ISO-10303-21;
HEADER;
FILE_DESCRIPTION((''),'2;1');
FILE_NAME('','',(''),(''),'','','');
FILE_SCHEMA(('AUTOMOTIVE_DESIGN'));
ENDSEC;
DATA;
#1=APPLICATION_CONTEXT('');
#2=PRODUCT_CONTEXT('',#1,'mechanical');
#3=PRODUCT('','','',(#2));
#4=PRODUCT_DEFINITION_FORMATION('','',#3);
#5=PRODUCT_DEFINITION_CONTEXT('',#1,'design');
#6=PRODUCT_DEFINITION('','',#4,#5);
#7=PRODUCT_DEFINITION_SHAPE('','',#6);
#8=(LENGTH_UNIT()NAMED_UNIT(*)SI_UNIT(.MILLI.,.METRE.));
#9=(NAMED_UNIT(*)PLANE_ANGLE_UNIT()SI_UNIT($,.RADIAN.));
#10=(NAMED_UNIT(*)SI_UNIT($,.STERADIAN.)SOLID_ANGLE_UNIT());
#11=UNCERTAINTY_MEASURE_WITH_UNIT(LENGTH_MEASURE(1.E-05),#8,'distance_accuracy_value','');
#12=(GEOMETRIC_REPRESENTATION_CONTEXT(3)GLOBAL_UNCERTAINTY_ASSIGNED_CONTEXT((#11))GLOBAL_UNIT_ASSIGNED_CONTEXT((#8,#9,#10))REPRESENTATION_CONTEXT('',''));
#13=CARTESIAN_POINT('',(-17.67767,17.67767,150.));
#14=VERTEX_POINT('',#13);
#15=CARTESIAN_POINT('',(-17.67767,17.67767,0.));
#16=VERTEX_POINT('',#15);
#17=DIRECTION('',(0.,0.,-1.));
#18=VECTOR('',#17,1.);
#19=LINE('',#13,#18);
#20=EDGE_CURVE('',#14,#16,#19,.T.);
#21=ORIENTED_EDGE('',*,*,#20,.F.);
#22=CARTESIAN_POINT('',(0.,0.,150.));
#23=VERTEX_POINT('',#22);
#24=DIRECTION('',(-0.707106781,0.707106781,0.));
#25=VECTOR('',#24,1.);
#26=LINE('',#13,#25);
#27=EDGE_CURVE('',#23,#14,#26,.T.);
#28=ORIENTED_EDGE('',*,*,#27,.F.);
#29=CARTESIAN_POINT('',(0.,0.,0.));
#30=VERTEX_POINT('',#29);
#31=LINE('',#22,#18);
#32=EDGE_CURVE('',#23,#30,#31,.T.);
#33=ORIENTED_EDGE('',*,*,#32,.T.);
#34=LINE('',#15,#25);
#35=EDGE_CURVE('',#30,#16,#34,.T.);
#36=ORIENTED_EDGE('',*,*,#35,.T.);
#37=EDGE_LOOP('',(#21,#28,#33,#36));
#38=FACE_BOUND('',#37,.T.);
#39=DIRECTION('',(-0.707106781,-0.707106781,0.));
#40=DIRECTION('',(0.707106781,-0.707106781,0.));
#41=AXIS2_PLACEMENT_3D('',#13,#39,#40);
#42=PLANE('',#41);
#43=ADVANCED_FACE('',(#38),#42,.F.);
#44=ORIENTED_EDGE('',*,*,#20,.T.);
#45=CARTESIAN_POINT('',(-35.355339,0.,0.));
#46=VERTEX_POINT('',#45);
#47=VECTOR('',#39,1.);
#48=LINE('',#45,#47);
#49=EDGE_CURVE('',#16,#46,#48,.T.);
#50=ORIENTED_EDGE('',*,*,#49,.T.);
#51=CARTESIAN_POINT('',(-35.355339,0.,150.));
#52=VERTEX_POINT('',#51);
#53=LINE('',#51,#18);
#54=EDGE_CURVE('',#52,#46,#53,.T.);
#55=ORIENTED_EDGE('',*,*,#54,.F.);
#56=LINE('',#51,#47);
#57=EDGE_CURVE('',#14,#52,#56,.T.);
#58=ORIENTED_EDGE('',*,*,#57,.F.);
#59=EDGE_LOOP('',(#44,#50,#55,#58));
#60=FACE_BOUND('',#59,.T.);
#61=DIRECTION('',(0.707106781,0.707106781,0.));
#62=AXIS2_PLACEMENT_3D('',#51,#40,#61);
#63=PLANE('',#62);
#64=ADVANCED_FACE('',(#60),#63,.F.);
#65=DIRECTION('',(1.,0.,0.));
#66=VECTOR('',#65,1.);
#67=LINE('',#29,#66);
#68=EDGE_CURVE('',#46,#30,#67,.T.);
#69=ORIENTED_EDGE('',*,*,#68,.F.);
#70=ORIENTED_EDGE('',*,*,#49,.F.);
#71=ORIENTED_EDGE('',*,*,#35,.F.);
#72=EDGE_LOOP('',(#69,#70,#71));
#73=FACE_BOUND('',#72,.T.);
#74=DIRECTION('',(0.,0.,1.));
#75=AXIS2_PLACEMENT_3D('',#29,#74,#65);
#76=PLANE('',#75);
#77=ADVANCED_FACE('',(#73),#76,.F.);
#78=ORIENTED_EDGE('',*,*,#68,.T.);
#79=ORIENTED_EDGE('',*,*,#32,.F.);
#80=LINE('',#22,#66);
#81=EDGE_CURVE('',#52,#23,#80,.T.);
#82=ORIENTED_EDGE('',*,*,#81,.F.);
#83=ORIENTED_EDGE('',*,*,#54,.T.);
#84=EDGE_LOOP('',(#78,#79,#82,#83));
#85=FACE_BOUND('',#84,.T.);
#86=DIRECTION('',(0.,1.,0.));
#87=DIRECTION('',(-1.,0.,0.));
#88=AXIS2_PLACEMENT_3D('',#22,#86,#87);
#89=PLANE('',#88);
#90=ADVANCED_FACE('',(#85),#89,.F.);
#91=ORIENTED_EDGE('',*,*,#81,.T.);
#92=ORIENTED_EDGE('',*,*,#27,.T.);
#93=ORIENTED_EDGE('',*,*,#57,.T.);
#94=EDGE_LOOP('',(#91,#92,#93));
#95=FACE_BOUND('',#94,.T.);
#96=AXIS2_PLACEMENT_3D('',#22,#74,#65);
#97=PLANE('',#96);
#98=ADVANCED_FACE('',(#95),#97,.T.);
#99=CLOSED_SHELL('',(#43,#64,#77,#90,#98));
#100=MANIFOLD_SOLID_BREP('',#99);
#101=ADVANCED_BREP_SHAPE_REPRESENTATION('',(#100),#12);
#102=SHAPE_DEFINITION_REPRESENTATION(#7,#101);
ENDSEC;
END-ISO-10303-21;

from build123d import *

# Parameters (mm, degrees)
BOSS_EXTRUDE1_DEPTH = 150


with BuildPart() as part:
    # Sketch1 → Boss-Extrude1 (new body)
    with BuildSketch(Plane.XY):
        Polygon((0, 0), (-35.355339059, 0), (-17.67766953, 17.67766953), align=None)
    extrude(amount=BOSS_EXTRUDE1_DEPTH)


solid = part.part
